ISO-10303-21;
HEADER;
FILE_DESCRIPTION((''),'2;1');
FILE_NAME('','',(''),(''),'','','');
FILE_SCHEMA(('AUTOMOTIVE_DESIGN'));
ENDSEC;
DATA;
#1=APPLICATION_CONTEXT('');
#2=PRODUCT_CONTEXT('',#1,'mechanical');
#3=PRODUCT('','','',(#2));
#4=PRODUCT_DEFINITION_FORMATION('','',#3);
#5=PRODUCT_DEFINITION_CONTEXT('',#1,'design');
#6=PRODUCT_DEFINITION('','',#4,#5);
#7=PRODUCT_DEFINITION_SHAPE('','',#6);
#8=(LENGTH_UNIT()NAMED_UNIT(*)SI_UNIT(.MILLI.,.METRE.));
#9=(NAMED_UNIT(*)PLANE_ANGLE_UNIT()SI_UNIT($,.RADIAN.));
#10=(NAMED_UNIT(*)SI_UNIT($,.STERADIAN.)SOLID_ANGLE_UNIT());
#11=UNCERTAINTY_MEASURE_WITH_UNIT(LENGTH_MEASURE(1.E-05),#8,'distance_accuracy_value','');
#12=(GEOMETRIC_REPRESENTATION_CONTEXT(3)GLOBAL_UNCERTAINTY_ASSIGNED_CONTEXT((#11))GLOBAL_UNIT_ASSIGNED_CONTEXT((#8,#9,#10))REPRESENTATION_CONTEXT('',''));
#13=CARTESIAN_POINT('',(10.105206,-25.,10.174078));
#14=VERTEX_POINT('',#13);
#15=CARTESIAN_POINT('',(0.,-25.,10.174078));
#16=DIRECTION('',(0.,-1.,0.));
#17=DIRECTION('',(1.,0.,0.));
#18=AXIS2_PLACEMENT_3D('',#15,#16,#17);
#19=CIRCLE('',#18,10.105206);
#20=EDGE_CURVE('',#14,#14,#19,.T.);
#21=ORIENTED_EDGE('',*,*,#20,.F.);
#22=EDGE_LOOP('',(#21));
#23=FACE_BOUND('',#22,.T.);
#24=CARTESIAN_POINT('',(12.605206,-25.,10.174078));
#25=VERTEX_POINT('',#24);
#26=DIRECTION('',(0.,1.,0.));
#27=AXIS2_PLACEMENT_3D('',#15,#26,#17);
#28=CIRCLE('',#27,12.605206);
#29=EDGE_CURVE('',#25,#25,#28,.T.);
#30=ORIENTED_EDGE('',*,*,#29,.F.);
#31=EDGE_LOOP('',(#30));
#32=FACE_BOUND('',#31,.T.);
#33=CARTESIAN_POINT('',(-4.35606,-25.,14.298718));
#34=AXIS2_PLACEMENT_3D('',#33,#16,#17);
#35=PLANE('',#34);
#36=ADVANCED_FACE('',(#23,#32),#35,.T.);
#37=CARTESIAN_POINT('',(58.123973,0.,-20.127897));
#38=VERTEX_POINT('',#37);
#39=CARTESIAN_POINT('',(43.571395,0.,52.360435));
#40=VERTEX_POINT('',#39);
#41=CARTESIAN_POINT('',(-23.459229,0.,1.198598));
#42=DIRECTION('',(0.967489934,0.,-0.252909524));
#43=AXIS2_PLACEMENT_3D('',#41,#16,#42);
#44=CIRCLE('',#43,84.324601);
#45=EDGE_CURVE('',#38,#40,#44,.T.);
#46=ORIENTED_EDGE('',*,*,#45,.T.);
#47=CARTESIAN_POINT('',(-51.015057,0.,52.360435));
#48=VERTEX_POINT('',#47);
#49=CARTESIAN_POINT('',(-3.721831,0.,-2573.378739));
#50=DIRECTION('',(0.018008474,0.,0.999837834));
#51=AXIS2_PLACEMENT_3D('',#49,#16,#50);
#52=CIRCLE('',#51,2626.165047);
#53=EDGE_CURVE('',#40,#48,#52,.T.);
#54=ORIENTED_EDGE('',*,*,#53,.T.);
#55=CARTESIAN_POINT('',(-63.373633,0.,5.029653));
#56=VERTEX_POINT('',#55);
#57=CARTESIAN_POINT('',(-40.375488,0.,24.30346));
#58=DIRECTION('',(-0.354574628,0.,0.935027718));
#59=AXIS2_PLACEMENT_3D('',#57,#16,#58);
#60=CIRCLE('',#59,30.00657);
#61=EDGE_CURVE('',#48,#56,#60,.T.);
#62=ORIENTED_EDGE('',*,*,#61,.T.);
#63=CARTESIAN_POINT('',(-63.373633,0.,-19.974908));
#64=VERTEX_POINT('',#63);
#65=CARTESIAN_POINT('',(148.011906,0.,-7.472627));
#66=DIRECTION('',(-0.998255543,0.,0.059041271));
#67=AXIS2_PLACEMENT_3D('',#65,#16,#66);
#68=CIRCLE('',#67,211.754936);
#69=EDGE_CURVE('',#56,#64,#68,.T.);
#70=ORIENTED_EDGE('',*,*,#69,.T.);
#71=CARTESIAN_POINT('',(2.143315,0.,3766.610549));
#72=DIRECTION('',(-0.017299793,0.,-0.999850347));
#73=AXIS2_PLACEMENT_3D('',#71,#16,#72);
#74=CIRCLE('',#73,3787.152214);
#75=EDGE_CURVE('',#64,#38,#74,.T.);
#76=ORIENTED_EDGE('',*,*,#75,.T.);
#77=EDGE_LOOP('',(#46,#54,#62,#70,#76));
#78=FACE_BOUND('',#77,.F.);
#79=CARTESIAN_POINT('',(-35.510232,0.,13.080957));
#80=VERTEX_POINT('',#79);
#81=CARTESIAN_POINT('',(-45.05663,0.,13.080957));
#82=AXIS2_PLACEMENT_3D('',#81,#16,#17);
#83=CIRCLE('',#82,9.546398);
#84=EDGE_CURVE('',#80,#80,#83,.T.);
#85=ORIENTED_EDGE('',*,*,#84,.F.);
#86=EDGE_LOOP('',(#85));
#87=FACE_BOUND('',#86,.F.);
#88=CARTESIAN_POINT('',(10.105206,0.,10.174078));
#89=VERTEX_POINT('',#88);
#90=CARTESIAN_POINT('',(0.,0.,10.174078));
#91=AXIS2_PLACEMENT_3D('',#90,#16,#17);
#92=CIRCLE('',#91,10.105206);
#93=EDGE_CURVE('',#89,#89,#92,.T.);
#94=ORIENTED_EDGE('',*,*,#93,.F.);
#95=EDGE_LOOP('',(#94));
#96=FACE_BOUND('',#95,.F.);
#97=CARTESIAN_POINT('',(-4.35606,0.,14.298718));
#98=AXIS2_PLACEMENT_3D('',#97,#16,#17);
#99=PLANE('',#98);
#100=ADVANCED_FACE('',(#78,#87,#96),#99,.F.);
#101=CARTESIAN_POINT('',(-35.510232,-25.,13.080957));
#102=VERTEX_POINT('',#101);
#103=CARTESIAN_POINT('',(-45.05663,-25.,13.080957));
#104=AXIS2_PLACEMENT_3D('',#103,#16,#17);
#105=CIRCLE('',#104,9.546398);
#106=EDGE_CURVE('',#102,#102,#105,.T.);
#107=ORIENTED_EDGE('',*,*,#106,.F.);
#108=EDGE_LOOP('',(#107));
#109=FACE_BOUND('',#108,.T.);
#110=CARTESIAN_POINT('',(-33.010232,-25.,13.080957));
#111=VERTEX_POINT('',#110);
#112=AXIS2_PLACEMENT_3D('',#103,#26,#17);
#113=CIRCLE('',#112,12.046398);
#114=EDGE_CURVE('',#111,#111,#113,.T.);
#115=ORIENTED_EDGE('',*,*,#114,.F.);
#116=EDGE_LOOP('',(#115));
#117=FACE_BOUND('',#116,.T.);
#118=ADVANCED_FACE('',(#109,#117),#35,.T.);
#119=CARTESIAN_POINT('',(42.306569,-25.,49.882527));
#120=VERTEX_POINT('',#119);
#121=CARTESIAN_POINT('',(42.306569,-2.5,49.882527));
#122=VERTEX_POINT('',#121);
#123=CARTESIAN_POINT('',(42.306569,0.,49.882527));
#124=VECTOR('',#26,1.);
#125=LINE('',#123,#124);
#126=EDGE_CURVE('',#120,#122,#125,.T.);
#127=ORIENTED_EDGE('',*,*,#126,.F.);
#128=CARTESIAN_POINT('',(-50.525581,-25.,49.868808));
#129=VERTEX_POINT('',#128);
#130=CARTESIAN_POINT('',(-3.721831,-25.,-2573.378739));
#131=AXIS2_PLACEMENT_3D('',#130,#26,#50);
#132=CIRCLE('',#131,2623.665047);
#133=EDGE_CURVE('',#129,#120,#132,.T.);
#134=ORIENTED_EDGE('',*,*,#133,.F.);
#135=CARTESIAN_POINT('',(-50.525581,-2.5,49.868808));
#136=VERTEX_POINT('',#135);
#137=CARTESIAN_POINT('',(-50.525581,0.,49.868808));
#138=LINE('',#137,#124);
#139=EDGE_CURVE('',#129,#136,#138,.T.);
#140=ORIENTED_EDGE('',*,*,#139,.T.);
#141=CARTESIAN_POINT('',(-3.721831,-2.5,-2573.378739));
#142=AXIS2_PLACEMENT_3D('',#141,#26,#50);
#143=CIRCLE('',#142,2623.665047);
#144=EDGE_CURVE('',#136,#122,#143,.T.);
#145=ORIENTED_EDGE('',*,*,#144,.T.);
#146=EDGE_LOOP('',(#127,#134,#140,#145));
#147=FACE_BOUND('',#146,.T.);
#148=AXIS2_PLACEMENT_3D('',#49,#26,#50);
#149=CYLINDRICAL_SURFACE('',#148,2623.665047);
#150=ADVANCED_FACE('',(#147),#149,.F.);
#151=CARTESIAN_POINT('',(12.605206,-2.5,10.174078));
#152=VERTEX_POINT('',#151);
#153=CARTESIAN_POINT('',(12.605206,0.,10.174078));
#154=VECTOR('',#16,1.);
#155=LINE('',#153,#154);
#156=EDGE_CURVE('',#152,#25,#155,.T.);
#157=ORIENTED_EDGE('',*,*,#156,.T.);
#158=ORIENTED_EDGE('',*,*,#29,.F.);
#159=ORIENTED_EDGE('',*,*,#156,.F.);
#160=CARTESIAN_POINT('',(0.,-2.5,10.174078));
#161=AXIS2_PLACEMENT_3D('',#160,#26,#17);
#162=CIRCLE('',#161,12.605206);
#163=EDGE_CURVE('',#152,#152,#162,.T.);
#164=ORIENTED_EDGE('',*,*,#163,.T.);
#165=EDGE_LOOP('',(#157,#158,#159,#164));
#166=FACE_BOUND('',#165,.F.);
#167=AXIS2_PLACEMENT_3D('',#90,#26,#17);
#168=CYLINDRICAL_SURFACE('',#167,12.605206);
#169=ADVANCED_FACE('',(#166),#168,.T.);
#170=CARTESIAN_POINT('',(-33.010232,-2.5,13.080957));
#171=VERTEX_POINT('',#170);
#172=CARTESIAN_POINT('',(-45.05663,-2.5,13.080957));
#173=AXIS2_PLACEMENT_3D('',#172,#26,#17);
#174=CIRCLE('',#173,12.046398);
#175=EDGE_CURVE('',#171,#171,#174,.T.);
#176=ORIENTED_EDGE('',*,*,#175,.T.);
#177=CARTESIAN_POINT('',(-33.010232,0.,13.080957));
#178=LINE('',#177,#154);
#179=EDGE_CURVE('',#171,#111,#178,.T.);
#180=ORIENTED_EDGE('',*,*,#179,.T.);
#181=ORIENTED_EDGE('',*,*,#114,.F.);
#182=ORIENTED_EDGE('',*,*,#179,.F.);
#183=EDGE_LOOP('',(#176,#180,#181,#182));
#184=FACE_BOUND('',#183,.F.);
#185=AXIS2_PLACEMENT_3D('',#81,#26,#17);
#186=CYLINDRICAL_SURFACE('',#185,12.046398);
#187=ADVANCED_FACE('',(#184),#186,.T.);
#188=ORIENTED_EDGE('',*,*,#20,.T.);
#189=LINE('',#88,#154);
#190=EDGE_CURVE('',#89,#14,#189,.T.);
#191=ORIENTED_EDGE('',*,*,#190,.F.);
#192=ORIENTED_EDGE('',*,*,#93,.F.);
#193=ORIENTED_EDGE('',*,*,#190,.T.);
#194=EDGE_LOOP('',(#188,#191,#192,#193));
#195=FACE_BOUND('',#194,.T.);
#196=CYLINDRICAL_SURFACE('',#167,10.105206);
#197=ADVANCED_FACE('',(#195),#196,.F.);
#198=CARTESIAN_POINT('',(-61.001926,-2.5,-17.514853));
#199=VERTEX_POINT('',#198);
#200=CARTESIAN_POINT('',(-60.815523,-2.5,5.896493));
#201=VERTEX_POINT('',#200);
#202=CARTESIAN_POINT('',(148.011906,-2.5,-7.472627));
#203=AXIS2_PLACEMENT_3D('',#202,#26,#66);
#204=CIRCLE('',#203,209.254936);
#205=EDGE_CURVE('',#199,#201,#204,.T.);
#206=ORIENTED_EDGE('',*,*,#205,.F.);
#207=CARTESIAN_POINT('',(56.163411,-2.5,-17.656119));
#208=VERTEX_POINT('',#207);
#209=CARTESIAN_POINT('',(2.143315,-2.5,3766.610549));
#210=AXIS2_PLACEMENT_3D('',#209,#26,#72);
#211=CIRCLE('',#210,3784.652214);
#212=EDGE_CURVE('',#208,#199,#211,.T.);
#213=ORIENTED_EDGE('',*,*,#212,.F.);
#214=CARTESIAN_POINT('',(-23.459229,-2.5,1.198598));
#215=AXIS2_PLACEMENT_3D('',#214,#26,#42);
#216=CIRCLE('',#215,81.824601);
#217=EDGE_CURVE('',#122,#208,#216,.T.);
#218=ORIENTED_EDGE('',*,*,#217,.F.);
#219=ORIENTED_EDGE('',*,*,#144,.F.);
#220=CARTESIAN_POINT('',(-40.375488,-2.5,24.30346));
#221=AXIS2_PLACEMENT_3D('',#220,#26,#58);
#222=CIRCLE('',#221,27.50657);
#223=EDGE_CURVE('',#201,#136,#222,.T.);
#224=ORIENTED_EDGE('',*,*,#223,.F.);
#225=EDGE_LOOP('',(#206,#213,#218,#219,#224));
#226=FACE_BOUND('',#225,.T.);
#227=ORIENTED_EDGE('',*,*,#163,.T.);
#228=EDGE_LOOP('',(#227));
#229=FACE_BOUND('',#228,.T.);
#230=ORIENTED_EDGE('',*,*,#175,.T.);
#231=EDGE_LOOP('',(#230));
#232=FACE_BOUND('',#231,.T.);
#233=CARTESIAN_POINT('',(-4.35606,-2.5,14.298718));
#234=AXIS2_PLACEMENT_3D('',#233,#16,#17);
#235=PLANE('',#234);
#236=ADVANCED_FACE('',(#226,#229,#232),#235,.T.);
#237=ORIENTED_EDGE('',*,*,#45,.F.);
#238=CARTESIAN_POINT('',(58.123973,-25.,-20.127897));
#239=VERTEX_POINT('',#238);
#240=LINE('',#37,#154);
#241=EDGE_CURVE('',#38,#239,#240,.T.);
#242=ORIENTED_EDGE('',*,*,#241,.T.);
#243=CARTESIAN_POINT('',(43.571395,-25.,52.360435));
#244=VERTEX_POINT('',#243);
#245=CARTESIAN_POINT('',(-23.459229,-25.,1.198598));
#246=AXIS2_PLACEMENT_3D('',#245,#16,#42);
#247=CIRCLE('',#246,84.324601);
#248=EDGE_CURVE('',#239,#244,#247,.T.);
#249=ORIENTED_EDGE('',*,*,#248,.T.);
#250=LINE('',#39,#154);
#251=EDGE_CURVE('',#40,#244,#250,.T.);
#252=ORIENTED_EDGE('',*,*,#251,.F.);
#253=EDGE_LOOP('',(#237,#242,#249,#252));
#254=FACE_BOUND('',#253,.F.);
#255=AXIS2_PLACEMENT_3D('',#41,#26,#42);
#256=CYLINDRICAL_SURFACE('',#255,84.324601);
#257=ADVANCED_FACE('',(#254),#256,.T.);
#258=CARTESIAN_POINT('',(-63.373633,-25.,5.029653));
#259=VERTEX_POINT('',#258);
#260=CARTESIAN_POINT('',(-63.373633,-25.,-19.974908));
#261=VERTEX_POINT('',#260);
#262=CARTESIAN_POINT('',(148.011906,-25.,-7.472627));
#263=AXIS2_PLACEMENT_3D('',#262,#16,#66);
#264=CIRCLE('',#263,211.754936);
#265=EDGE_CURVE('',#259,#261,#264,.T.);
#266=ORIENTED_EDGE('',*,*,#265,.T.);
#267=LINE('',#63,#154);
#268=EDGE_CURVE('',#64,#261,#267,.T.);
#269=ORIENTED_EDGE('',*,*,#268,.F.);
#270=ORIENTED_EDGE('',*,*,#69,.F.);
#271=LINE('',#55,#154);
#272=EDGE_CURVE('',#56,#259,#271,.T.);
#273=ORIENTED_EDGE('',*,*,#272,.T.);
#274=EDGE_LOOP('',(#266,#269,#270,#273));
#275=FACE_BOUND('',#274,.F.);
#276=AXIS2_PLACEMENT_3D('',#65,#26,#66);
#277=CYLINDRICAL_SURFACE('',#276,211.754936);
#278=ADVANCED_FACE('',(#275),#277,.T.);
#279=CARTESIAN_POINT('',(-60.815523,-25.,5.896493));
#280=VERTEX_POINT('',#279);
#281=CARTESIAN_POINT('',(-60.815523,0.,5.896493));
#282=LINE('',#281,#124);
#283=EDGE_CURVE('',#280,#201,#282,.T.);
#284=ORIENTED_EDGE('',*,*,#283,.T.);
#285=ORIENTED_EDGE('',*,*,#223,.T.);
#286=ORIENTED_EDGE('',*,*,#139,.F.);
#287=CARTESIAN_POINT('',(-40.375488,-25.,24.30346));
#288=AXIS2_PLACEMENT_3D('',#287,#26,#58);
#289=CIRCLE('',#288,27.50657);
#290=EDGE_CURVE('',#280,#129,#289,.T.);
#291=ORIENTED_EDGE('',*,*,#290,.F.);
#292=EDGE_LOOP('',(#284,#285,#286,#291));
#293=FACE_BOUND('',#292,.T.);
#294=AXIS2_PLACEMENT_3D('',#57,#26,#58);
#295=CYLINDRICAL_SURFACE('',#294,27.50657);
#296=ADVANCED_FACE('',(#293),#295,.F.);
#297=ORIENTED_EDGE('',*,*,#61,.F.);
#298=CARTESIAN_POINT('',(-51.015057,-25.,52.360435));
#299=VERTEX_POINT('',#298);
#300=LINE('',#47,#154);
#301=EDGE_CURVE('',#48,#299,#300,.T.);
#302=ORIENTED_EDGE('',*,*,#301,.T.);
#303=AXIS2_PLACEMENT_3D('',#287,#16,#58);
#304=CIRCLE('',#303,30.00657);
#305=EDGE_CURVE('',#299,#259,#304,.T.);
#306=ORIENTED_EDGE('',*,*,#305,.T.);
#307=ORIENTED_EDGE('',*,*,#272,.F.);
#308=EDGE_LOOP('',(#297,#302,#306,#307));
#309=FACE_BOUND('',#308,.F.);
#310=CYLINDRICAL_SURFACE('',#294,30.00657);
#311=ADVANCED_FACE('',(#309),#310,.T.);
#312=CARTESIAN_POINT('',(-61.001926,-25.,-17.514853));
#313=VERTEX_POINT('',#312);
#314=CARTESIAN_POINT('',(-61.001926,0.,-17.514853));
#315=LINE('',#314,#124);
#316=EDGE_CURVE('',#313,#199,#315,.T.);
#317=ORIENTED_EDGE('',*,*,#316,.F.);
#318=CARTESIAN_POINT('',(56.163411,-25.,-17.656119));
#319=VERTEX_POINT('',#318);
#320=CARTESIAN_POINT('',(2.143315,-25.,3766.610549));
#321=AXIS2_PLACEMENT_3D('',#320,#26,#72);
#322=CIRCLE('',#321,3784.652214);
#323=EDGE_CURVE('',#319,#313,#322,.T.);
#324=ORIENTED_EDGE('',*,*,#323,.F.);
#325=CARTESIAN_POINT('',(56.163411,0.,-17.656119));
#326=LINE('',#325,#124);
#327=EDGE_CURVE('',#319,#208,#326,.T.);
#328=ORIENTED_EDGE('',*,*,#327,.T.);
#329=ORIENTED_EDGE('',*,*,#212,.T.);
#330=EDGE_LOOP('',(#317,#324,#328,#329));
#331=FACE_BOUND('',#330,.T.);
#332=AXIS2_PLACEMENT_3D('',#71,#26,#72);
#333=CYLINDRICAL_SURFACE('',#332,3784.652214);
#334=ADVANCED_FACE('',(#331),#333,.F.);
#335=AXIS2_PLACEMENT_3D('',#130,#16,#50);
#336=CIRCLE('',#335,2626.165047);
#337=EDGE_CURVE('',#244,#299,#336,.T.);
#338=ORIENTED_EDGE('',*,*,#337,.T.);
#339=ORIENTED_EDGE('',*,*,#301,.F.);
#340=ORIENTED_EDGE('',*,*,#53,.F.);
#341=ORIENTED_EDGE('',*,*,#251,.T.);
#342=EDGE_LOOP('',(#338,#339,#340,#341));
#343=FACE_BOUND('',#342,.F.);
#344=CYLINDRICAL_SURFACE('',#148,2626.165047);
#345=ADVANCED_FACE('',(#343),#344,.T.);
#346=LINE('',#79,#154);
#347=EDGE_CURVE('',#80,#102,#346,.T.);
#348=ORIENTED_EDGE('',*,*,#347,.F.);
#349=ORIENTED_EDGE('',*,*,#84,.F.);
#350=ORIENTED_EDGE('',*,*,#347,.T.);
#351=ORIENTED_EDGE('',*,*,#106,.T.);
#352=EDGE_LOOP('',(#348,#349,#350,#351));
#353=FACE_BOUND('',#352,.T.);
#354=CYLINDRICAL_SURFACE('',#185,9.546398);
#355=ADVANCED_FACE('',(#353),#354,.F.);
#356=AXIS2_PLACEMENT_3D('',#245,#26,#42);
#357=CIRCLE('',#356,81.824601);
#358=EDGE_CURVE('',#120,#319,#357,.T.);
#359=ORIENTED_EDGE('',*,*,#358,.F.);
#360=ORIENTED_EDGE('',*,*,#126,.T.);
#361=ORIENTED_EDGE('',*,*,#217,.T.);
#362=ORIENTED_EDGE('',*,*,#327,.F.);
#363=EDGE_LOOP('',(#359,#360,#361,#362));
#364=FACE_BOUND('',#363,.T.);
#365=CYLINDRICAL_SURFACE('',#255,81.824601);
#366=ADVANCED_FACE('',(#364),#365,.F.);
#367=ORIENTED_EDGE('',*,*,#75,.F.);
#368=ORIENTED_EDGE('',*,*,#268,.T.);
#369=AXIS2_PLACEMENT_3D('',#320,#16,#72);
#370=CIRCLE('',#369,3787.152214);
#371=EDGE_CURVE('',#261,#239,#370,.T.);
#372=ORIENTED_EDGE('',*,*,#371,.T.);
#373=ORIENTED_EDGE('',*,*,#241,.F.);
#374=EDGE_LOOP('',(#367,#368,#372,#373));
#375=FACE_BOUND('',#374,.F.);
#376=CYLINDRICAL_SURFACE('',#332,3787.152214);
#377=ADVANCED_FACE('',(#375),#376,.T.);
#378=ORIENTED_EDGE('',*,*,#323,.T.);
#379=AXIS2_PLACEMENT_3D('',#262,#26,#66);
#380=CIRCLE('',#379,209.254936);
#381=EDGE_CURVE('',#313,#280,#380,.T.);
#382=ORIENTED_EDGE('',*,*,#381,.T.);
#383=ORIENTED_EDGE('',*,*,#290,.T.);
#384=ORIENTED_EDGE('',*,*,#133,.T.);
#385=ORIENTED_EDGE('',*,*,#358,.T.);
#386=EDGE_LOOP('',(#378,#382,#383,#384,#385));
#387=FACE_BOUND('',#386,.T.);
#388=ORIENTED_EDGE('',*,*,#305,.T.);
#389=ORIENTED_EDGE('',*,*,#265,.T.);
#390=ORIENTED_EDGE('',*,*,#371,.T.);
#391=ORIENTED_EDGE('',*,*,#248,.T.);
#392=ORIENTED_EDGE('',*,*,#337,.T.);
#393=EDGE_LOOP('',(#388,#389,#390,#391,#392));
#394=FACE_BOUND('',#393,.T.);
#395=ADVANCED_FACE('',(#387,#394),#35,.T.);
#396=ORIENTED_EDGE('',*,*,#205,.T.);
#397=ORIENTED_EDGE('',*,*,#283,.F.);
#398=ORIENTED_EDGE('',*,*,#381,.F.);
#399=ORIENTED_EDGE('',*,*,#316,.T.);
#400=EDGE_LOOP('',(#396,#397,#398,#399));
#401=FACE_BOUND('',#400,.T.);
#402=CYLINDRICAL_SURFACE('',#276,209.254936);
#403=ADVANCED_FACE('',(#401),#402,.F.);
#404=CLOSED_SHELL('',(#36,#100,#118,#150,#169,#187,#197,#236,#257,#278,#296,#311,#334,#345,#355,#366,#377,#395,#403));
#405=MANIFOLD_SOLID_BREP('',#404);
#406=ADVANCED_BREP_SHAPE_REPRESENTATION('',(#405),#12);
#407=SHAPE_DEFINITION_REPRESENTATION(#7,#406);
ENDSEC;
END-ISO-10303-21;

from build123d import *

# Parameters (mm, degrees)
F0_R     = 9.5463982086
F0_R_2   = 10.1052061562
F1_DEPTH = 25
F2_T     = -2.5


with BuildPart() as f1:
    # F0 (on Front) → F1 (new body)
    with BuildSketch(Plane.XZ):
        with BuildLine():
            ThreePointArc((-63.3736327291, -19.9749078602), (-2.6254435723, -20.5386626808), (58.1239726957, -20.1278970252))
            ThreePointArc((58.1239726957, -20.1278970252), (59.2157785581, 17.7962266983), (43.5713953632, 52.3604346985))
            ThreePointArc((43.5713953632, 52.3604346985), (-3.7218306533, 52.7863086545), (-51.0150566697, 52.3604346985))
            ThreePointArc((-51.0150566697, 52.3604346985), (-69.4086528725, 31.8843311692), (-63.3736327291, 5.029653199))
            ThreePointArc((-63.3736327291, 5.029653199), (-63.743030193, -7.4726273306), (-63.3736327291, -19.9749078602))
        make_face()
        with Locations((-45.056629926, 13.0809573457)):
            Circle(F0_R, mode=Mode.SUBTRACT)
        with Locations((0, 10.1740779355)):
            Circle(F0_R_2, mode=Mode.SUBTRACT)
    extrude(amount=F1_DEPTH)

    # F2
    f2_openings = [f1.faces().sort_by_distance(p)[0] for p in [
        (-2.62355, -25, -19.035238),
    ]]
    offset(amount=F2_T, openings=f2_openings, kind=Kind.INTERSECTION)


solid = f1.part
